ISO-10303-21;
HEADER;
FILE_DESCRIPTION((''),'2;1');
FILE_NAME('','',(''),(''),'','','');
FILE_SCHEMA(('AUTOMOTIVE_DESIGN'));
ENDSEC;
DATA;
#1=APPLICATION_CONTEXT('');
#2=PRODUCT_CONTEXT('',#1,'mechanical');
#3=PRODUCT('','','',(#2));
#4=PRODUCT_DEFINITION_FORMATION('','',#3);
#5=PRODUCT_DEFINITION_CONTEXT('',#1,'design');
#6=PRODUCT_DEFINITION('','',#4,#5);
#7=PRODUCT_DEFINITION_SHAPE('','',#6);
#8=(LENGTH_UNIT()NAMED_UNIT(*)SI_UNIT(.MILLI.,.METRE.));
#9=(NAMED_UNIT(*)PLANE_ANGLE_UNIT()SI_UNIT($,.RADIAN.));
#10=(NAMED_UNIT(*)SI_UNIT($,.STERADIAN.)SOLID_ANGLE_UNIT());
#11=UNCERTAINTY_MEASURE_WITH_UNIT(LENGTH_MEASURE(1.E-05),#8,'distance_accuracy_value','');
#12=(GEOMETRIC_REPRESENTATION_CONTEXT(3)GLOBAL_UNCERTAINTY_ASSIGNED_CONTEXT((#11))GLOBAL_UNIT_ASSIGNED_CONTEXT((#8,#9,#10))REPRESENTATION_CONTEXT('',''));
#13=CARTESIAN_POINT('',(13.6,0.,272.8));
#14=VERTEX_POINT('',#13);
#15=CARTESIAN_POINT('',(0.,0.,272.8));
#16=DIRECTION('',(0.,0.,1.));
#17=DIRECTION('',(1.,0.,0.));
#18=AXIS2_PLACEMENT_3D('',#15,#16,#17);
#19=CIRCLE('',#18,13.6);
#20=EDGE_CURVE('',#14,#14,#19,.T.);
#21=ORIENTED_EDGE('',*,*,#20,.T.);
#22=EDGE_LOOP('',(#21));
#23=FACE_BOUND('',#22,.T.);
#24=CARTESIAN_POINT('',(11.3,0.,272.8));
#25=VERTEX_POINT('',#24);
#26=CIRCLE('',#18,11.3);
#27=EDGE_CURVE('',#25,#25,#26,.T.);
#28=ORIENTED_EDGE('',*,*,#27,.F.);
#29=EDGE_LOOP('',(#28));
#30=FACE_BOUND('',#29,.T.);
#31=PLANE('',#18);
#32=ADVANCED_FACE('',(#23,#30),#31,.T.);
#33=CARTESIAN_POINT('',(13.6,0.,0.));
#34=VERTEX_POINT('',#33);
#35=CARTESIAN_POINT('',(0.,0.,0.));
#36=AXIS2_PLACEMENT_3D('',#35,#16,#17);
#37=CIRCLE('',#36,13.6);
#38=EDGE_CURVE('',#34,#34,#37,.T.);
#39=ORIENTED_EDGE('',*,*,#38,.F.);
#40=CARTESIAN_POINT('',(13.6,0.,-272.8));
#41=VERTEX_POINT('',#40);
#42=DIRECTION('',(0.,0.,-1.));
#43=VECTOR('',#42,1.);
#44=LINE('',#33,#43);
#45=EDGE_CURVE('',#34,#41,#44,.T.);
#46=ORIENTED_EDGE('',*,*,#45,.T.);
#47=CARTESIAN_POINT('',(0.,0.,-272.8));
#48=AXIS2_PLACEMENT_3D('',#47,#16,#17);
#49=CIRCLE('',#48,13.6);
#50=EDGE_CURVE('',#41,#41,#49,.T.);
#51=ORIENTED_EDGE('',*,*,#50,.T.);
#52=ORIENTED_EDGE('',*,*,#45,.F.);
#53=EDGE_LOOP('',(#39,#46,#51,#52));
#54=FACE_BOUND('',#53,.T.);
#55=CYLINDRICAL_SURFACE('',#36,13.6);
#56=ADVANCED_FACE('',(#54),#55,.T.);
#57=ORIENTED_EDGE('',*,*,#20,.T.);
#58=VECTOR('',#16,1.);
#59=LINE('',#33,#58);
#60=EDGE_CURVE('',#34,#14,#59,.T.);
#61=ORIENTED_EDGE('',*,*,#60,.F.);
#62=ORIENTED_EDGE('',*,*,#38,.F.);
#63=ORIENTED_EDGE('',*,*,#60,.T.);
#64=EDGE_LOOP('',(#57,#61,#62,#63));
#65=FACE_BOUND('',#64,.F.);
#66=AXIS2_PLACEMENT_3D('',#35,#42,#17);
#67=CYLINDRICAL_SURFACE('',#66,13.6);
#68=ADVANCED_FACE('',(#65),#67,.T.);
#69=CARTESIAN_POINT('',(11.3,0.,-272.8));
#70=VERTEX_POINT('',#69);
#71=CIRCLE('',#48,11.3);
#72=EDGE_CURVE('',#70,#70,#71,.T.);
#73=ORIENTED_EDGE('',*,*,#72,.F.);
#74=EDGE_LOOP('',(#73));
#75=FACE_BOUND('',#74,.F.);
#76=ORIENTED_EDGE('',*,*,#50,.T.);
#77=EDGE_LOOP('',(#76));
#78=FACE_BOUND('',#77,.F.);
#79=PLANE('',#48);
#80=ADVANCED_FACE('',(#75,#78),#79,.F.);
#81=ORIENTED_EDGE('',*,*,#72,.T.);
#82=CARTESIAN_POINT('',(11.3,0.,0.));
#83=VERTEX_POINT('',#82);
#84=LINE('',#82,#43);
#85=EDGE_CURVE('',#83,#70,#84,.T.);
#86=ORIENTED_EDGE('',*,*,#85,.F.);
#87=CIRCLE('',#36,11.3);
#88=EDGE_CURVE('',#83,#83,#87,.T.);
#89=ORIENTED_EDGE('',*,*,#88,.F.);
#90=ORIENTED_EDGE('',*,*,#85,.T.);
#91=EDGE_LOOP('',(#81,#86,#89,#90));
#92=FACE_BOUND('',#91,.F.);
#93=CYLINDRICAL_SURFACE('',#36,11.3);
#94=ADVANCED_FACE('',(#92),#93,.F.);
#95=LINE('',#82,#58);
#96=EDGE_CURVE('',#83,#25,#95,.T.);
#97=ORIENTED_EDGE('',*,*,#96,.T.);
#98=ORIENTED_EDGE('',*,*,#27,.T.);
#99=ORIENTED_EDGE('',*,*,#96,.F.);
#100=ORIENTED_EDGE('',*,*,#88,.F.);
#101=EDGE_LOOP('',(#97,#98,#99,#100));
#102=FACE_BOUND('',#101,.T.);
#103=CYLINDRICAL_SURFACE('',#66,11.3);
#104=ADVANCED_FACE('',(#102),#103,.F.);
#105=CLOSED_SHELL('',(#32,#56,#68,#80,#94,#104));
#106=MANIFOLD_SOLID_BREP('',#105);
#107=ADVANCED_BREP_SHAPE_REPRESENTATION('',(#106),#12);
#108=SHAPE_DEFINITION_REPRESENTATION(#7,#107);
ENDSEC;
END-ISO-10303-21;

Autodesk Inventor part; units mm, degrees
ref_plane "XY Plane" through (0, 0, 0) normal (0, 0, 1) x (1, 0, 0)
sketch "スケッチ1" plane through (0, 0, 0) normal (0, 0, 1) x (1, 0, 0)
  circle A0 centre (0, 0) radius 13.6
  circle A1 centre (0, 0) radius 11.3
  dimension "d0" = 27.2
  dimension "d1" = 2.3
extrude "押し出し1" add sketch "スケッチ1" along normal mid plane 545.6
ref_plane "作業平面4" through (0, 13.6, 0) normal (0, 1, 0) x (-1, 0, 0)
ref_plane "作業平面5" through (-13.6, 0, 0) normal (-1, 0, 0) x (0, -1, 0)
ref_plane "作業平面6" through (13.6, 0, 0) normal (1, 0, 0) x (0, 1, 0)
ref_plane "作業平面7" through (0, -13.6, 0) normal (0, -1, 0) x (1, 0, 0)
properties part number "Pipe3" material "鋼、炭素鋼"
